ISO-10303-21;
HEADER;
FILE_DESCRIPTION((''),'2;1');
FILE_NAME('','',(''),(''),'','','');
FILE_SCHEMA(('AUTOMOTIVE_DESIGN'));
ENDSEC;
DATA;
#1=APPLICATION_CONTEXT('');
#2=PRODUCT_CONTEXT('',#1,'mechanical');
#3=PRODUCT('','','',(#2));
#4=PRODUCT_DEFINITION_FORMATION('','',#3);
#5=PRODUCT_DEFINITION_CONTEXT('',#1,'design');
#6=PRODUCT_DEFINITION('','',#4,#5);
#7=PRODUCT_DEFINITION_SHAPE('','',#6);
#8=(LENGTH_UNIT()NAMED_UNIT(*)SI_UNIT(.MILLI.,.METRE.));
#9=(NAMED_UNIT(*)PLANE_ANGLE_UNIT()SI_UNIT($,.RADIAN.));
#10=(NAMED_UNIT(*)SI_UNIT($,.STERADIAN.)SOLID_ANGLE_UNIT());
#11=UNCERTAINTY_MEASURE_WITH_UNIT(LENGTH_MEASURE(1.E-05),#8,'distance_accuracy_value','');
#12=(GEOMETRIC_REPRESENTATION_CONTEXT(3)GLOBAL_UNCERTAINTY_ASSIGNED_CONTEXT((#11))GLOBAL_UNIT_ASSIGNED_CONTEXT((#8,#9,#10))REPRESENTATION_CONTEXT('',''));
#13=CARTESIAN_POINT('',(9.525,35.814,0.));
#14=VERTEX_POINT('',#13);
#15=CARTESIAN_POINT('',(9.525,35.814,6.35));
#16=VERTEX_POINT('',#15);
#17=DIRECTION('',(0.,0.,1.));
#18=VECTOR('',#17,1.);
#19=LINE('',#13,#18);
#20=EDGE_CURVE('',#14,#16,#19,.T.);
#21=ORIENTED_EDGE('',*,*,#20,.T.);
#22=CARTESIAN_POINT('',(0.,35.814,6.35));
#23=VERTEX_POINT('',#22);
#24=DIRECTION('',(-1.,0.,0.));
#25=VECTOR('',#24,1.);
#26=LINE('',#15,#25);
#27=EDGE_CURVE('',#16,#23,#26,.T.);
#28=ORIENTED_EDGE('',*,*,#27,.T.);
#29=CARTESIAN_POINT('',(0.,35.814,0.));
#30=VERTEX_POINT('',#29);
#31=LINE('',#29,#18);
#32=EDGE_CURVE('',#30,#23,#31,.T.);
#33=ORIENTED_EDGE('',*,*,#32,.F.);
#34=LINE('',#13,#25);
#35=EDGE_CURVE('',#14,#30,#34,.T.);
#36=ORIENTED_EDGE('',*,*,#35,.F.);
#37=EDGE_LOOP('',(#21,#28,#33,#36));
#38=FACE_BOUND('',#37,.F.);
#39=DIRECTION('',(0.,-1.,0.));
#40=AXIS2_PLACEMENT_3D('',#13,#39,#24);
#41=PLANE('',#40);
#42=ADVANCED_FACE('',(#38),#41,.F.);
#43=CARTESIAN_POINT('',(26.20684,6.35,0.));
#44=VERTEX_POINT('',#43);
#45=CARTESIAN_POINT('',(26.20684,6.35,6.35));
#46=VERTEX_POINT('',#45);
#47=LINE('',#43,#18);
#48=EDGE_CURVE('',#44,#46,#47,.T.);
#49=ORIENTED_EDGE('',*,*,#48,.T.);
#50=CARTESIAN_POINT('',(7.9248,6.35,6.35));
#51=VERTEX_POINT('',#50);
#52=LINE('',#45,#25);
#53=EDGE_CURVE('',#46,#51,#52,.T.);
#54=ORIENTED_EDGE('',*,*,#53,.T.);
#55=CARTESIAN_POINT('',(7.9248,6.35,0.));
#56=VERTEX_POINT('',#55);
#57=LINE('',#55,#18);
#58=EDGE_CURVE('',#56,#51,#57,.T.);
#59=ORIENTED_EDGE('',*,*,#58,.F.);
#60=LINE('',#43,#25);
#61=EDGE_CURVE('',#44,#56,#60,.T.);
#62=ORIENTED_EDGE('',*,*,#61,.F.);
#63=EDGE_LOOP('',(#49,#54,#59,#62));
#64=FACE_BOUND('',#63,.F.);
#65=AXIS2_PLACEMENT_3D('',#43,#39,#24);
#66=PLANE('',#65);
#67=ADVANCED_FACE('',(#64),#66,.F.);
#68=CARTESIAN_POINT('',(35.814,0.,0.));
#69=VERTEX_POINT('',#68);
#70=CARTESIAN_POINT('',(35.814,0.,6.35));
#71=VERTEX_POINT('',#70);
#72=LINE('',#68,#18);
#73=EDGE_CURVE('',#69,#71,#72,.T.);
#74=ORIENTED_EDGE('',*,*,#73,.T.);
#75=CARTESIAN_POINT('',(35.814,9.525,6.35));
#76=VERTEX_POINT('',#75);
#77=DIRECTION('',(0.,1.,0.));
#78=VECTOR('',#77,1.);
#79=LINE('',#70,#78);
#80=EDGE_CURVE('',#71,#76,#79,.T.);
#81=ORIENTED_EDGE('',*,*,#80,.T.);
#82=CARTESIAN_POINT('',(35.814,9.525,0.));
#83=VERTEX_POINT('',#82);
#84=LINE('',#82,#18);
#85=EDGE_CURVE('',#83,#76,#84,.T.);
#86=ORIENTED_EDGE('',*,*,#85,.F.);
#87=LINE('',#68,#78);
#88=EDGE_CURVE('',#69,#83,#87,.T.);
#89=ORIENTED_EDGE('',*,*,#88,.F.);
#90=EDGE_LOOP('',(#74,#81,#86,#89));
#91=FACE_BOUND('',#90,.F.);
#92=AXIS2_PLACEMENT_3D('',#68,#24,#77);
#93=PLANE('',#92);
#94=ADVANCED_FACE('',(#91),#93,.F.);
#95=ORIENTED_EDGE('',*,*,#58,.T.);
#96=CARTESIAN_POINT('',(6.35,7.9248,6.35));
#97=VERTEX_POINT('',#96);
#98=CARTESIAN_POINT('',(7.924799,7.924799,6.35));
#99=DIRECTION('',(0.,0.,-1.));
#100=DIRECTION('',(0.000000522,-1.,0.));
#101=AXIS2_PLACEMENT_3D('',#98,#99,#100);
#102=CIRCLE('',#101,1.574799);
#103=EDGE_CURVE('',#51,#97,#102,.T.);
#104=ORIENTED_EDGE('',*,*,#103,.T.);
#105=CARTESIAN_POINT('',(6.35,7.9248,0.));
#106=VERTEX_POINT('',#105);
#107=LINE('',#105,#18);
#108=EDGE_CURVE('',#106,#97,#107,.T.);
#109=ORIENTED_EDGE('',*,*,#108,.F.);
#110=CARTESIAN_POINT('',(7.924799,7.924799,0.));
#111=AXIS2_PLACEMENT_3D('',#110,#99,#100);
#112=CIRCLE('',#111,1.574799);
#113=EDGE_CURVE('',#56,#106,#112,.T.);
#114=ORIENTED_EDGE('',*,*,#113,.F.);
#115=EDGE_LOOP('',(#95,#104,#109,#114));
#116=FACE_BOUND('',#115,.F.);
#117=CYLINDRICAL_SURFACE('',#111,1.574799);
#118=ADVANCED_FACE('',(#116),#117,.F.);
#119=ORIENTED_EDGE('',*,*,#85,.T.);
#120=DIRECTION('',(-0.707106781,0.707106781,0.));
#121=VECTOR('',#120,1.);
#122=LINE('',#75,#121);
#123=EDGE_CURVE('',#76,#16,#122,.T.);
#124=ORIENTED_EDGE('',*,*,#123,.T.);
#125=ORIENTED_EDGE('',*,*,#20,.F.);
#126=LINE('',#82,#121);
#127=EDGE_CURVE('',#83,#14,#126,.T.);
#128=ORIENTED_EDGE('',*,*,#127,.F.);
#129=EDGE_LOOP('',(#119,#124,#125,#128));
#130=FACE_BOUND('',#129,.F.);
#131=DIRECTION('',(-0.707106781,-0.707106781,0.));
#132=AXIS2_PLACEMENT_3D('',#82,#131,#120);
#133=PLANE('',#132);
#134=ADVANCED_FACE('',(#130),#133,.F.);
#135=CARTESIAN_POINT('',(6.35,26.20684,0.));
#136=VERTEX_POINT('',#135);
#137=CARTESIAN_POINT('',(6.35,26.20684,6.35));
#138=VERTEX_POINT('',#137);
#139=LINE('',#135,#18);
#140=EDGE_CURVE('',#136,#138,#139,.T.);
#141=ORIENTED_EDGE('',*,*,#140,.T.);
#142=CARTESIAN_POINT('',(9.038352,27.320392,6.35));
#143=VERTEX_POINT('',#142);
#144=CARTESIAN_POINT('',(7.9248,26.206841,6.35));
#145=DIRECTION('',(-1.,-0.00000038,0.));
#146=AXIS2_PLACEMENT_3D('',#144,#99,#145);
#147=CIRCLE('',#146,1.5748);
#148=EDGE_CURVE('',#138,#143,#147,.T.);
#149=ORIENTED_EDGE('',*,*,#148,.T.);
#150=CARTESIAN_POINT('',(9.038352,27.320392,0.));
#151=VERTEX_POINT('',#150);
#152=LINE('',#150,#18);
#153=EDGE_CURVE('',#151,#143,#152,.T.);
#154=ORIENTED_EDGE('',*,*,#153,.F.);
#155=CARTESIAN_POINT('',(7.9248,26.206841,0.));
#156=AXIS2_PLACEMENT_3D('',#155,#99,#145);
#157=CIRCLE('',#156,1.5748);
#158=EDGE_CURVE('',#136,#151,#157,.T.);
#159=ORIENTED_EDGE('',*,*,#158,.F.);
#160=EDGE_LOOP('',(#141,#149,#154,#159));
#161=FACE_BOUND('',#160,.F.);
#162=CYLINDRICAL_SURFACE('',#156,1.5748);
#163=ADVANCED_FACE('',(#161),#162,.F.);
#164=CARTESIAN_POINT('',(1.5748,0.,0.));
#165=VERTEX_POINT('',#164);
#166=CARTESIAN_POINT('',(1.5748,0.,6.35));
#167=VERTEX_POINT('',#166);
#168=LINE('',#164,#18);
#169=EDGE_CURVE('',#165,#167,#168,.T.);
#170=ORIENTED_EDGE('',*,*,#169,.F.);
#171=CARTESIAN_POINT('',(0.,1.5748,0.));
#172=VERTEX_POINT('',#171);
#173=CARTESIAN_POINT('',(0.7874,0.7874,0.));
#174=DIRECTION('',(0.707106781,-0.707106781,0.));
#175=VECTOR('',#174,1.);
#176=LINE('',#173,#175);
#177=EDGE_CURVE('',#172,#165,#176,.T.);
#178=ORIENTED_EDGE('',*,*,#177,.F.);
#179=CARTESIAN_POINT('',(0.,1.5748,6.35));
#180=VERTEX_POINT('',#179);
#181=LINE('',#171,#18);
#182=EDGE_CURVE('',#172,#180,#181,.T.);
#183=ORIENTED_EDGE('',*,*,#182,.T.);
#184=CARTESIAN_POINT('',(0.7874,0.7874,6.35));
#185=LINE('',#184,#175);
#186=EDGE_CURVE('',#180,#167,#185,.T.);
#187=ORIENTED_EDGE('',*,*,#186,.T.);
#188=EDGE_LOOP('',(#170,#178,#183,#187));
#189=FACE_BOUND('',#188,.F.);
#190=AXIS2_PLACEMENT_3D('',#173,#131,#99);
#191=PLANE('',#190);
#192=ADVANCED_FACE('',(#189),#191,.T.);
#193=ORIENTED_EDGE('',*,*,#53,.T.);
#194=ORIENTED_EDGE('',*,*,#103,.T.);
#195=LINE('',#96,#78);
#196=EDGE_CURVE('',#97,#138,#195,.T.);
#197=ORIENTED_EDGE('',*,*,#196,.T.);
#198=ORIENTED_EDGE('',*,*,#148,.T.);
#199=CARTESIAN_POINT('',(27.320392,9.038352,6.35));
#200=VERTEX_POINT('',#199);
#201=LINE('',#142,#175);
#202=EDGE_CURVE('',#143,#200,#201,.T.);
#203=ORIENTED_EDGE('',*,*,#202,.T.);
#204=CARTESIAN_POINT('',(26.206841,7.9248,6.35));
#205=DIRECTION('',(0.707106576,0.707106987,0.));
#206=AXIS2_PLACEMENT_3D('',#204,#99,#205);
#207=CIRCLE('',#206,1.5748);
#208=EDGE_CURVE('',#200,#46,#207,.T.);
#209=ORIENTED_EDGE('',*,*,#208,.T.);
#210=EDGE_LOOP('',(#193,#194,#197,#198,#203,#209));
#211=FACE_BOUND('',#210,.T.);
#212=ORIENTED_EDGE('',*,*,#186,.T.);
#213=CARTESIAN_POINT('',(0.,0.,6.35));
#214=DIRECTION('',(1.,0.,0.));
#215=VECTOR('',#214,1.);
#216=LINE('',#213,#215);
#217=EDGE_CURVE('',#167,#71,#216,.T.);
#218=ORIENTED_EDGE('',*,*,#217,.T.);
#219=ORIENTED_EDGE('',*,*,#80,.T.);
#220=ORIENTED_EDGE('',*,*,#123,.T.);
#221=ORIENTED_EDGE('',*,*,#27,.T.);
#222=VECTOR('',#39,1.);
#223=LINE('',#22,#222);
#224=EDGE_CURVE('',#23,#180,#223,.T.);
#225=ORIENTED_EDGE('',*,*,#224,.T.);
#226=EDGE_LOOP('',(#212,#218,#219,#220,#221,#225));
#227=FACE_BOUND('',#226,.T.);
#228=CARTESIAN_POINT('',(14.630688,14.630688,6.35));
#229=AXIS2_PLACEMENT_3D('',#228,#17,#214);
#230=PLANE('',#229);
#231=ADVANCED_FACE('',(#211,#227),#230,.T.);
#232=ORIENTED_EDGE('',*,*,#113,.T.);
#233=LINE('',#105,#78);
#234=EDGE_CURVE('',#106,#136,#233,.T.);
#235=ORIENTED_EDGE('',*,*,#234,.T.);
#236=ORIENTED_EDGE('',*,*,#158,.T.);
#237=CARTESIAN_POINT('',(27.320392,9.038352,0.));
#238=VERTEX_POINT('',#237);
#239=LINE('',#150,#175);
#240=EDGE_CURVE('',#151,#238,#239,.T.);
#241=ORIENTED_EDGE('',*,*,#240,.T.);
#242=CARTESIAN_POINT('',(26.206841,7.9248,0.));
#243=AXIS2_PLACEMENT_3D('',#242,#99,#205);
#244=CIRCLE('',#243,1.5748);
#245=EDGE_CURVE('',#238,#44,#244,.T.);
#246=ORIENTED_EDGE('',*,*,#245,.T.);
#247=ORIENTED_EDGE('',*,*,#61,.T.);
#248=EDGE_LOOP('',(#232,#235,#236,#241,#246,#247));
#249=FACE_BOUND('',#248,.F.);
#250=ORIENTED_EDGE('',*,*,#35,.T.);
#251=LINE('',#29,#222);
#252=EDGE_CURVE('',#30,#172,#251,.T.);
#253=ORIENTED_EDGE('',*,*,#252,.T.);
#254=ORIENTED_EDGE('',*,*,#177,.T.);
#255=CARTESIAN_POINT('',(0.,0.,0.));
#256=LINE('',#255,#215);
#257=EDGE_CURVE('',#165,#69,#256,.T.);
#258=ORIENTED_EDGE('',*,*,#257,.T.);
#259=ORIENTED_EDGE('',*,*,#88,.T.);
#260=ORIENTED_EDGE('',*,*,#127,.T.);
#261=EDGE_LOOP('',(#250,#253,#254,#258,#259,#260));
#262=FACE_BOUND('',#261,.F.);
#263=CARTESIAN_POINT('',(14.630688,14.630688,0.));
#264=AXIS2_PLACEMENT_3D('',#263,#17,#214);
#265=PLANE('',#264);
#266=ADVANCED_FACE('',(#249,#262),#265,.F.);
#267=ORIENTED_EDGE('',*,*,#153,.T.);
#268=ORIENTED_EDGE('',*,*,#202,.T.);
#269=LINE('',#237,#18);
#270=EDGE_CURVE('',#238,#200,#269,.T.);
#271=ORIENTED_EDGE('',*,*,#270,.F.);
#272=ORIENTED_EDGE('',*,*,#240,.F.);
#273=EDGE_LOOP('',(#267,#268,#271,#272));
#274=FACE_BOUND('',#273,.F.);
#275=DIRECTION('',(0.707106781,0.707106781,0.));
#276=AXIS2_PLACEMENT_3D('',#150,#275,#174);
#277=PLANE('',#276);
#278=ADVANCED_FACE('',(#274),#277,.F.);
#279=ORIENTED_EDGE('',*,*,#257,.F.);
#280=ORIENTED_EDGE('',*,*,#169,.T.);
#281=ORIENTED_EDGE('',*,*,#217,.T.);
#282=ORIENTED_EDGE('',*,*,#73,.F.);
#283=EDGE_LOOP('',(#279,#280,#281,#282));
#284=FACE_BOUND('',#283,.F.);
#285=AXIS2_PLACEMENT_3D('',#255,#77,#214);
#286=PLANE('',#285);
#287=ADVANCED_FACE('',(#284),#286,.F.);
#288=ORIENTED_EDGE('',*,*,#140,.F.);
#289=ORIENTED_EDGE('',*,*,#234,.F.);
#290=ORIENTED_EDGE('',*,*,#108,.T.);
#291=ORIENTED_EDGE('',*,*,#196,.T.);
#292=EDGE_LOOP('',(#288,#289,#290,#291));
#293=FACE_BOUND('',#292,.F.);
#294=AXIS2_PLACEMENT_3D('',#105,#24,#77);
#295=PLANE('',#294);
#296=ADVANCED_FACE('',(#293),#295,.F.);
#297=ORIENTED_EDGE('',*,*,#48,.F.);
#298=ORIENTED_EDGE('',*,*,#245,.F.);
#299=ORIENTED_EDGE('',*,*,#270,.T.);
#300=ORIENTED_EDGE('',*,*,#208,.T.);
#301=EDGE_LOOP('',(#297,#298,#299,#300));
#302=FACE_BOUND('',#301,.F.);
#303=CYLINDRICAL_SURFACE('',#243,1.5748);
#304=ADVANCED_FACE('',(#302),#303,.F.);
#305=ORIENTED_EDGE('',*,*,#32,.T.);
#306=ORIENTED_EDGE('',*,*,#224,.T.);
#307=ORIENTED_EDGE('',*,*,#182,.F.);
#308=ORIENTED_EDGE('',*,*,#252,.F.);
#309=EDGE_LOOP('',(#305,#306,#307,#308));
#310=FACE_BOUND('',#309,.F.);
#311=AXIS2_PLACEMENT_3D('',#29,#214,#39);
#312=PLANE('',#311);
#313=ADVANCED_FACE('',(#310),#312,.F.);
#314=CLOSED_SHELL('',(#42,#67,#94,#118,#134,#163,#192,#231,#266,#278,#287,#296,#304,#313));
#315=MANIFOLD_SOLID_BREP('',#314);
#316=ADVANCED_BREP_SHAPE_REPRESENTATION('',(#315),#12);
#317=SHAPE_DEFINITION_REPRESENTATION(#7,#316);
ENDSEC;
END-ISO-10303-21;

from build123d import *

# Parameters (mm, degrees)
F1_DEPTH = 6.35
F2_SIZE  = 1.5748


with BuildPart() as f1:
    # F0 (on Top) → F1 (new body)
    with BuildSketch(Plane.XY):
        Polygon((9.525, 35.814), (0, 35.814), (0, 0), (35.814, 0), (35.814, 9.525), align=None)
        with BuildLine():
            Line((6.35, 7.9248), (6.35, 26.20684))
            ThreePointArc((6.35, 26.20684), (7.32215, 27.661766), (9.038352, 27.320392))
            Line((9.038352, 27.320392), (27.320392, 9.038352))
            ThreePointArc((27.320392, 9.038352), (27.661766, 7.32215), (26.20684, 6.35))
            Line((26.20684, 6.35), (7.9248, 6.35))
            ThreePointArc((7.9248, 6.35), (6.811248, 6.811248), (6.35, 7.9248))
        make_face(mode=Mode.SUBTRACT)
    extrude(amount=F1_DEPTH)

    # F2
    f2_edges = [f1.edges().sort_by_distance(p)[0] for p in [
        (0, 0, 3.175),
    ]]
    chamfer(f2_edges, length=F2_SIZE)


solid = f1.part
